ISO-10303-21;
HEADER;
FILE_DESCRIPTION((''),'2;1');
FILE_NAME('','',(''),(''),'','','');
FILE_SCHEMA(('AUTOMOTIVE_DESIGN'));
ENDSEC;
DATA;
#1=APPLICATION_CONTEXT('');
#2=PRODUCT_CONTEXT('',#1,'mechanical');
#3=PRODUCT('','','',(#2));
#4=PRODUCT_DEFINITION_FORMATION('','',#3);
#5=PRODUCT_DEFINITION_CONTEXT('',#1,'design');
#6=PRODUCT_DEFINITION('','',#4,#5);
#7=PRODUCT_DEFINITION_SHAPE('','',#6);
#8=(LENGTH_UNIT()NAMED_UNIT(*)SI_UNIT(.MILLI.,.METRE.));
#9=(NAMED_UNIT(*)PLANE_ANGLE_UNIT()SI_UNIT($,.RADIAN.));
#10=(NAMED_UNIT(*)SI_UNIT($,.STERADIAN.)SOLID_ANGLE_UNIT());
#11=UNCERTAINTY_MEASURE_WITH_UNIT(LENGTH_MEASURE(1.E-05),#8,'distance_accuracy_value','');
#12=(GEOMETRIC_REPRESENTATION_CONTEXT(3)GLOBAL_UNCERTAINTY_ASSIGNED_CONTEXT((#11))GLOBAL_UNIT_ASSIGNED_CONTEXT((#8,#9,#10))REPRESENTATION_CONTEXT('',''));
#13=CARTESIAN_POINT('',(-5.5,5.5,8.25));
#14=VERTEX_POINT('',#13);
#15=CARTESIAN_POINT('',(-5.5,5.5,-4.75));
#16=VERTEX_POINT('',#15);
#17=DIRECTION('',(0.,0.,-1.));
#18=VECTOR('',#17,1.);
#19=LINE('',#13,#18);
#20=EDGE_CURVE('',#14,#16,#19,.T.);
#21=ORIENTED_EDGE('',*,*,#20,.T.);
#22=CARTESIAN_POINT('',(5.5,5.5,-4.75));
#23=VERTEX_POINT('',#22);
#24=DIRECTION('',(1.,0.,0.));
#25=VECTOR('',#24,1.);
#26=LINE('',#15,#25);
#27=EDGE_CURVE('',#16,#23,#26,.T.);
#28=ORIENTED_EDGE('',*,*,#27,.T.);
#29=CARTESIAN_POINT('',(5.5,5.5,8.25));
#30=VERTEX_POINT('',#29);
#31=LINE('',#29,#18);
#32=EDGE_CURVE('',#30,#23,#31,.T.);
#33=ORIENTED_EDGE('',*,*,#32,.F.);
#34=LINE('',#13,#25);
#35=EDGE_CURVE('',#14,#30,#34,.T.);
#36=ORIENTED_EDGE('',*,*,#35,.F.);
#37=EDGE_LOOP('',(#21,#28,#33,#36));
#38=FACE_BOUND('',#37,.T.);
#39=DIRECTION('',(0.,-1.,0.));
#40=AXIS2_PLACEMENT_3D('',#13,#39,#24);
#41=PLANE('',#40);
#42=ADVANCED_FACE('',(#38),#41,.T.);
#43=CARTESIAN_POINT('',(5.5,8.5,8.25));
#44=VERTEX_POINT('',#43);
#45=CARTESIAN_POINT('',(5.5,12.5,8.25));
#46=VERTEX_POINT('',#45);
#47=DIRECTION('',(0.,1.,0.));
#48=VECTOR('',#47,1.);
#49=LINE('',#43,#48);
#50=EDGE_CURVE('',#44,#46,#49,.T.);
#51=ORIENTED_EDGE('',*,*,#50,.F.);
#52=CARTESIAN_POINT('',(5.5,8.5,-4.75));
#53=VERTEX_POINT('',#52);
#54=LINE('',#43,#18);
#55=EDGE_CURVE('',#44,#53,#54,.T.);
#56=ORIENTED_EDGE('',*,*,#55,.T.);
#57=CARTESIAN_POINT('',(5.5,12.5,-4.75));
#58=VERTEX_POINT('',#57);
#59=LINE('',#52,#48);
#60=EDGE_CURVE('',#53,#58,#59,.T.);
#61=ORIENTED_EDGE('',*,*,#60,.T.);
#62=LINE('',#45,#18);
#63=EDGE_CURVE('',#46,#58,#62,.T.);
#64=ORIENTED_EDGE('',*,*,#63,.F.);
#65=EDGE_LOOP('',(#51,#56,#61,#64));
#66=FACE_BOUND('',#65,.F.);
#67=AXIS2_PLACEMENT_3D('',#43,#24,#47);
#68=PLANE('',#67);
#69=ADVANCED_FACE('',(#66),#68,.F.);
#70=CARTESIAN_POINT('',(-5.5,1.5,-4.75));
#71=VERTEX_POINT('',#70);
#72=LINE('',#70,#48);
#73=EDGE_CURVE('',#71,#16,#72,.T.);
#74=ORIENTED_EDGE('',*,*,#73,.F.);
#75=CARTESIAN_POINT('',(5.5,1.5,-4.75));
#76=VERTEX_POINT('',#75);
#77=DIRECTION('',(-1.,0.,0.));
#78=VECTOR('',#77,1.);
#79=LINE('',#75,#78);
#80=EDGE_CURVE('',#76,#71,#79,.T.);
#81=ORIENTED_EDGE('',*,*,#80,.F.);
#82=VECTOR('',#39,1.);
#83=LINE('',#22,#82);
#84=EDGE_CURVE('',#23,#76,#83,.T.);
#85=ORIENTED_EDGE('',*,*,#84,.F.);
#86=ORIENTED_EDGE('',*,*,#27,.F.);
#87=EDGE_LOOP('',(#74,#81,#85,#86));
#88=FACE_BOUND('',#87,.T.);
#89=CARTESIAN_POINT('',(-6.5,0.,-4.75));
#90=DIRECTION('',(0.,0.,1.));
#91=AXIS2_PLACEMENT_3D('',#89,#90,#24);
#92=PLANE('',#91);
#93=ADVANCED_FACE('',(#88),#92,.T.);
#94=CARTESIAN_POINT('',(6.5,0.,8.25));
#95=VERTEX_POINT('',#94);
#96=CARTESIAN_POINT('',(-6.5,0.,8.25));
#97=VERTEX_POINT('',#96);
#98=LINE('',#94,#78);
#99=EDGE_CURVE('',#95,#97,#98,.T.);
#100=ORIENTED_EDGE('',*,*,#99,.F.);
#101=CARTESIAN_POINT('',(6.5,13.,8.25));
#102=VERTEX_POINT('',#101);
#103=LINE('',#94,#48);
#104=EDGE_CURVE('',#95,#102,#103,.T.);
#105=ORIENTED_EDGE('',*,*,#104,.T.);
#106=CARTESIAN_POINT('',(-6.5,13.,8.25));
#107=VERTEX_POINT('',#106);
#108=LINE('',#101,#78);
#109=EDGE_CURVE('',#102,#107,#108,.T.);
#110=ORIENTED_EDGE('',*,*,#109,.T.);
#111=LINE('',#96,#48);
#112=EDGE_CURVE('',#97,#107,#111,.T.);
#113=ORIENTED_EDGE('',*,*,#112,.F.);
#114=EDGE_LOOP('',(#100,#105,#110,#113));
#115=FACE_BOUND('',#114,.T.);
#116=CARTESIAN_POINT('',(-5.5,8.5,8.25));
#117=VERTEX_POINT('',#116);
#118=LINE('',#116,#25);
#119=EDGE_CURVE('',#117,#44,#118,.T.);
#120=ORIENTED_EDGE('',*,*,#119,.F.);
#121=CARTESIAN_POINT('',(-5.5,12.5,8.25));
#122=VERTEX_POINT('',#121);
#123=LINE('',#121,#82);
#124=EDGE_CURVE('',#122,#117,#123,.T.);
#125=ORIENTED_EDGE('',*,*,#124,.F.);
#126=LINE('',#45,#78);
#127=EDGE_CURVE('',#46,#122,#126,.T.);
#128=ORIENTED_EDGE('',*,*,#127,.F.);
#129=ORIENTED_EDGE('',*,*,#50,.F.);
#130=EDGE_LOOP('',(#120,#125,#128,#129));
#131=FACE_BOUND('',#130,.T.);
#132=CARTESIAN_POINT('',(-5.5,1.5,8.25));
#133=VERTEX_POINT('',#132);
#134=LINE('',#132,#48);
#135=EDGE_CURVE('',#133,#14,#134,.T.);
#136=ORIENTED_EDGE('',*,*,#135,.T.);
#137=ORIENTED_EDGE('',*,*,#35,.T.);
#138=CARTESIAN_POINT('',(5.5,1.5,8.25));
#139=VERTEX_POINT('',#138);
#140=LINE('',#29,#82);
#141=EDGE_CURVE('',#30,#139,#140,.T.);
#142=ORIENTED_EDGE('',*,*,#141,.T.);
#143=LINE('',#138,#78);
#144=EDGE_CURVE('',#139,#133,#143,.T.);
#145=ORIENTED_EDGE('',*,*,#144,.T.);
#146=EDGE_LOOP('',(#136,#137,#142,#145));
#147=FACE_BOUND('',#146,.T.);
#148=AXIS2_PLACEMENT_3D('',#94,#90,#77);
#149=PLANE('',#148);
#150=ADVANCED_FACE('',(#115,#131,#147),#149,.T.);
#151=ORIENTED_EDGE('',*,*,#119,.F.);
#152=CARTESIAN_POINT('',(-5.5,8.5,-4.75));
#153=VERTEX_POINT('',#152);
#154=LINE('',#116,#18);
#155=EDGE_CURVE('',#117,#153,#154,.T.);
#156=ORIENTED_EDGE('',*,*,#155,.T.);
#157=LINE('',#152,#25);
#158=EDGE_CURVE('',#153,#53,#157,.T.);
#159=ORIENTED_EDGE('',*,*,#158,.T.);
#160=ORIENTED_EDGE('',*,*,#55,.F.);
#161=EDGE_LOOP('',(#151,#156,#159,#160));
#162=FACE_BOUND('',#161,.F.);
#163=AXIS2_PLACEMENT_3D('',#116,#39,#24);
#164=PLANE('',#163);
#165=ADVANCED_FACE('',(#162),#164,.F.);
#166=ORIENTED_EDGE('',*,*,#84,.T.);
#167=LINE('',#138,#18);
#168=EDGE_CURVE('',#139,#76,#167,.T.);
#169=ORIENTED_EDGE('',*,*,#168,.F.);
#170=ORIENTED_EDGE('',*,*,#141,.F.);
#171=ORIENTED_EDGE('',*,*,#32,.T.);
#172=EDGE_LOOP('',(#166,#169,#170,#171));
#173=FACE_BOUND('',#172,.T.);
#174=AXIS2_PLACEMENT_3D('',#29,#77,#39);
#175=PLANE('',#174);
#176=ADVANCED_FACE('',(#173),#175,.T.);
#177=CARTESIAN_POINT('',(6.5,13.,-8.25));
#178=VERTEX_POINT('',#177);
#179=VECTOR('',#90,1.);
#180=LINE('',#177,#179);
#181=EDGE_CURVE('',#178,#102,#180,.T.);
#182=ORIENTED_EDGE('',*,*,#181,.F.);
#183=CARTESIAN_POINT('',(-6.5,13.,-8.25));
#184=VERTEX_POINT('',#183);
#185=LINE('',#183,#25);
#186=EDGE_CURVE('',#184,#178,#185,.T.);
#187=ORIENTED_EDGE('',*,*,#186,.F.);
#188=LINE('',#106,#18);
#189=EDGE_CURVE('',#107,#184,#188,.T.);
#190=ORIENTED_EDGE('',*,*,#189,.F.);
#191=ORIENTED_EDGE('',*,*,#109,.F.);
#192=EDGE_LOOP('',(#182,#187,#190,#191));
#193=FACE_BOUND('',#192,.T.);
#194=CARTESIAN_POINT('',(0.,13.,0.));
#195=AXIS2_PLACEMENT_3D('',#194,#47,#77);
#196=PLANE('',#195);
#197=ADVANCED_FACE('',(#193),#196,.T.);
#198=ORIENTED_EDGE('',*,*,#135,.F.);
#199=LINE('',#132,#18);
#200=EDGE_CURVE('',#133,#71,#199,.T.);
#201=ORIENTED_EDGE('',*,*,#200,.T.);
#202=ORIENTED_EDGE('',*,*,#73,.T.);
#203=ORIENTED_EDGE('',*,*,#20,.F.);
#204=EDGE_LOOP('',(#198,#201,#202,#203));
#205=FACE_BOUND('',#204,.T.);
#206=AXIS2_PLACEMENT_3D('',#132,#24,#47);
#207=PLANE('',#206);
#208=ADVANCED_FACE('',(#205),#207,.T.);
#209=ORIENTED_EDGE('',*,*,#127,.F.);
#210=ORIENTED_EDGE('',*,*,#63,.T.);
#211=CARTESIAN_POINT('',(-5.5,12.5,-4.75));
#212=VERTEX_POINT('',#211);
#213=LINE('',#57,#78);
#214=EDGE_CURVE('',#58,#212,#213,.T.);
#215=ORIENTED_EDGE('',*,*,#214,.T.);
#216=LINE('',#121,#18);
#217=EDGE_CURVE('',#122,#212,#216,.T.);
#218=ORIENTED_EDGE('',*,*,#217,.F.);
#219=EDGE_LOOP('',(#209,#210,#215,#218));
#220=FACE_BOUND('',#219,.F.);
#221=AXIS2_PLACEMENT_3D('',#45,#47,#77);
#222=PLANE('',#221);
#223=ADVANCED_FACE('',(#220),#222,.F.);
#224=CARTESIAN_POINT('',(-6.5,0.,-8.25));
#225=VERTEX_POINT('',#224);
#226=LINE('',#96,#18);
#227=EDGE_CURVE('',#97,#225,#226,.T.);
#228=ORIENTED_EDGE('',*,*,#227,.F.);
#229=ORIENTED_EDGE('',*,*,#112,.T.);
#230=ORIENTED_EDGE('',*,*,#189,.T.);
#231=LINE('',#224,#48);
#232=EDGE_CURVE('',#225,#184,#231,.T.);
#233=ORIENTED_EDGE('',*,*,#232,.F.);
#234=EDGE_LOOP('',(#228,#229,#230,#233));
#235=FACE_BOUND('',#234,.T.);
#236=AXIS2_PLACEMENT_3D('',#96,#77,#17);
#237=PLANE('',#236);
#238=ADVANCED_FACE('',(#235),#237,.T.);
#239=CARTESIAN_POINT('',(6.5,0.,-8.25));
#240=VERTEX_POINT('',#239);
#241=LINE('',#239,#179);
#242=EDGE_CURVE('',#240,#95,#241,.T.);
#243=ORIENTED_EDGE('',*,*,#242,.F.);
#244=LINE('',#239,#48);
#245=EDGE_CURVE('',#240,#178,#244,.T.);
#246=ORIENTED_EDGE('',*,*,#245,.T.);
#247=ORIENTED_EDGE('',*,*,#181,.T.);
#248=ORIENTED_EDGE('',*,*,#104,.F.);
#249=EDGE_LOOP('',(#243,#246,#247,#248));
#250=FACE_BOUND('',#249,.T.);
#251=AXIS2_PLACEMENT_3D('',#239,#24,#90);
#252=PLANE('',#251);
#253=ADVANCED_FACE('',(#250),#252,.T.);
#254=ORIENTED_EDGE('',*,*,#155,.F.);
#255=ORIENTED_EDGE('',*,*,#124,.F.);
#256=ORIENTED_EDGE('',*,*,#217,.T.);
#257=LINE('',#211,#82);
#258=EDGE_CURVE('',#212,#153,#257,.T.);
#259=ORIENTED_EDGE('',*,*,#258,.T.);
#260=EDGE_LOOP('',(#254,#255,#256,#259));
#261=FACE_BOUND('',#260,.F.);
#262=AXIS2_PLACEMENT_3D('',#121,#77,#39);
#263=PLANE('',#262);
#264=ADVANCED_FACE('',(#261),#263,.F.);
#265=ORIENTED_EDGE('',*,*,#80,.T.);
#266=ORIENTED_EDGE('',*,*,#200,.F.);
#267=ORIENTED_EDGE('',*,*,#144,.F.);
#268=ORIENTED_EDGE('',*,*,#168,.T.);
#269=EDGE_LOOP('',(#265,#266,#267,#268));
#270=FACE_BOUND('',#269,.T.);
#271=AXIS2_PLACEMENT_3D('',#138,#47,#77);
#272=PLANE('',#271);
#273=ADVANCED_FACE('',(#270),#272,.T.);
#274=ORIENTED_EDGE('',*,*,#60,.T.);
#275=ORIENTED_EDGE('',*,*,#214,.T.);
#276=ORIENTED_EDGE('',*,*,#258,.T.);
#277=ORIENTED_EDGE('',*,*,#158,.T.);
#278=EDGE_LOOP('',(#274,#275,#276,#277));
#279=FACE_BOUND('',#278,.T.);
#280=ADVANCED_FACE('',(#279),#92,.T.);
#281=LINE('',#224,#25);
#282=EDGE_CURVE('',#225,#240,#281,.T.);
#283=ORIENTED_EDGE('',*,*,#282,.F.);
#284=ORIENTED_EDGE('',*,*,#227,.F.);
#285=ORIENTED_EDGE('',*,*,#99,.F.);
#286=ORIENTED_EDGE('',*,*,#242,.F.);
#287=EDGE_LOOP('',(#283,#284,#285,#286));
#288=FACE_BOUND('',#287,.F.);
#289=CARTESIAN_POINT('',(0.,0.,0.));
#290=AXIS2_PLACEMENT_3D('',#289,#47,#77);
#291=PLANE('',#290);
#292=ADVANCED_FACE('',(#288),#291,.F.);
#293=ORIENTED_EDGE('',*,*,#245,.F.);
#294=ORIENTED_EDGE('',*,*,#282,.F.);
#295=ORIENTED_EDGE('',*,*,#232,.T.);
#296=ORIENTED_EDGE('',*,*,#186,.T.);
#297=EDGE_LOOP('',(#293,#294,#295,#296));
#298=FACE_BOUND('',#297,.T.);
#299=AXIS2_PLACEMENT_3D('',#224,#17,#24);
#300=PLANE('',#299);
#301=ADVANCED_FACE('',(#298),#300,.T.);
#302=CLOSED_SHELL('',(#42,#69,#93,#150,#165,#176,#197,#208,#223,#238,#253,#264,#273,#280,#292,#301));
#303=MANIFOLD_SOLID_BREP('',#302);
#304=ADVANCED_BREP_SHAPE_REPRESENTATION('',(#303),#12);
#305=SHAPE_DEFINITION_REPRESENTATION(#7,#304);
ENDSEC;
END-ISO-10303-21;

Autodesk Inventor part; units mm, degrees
ref_plane "YZ Plane" through (0, 0, 0) normal (1, 0, 0) x (0, 1, 0)
ref_plane "XZ Plane" through (0, 0, 0) normal (0, 1, 0) x (-1, 0, 0)
ref_plane "XY Plane" through (0, 0, 0) normal (0, 0, 1) x (1, 0, 0)
sketch "Sketch1" plane through (0, 0, 0) normal (0, 1, 0) x (-1, 0, 0)
  line L0 (-6.5, 8.25) -> (6.5, 8.25)
  line L1 (6.5, 8.25) -> (6.5, -8.25)
  line L2 (6.5, -8.25) -> (-6.5, -8.25)
  line L3 (-6.5, -8.25) -> (-6.5, 8.25)
  line L4 (-6.5, 8.25) -> (6.5, -8.25) construction
  line L5 (6.5, 8.25) -> (-6.5, -8.25) construction
  point P0 (0, 0)
  dimension "d0" = 13
  dimension "d1" = 16.5
extrude "Extrusion1" add sketch "Sketch1" along normal blind 13
sketch "Sketch2" plane through (-6.5, 0, 8.25) normal (0, 0, 1) x (1, 0, 0)
  line L0 (1, 8.5) -> (12, 8.5)
  line L1 (12, 8.5) -> (12, 12.5)
  line L2 (12, 12.5) -> (1, 12.5)
  line L3 (1, 12.5) -> (1, 8.5)
  line L4 (0, 13) -> (13, 13) projected
  line L5 (0, 0) -> (0, 13) projected
  line L6 (1, 5.5) -> (12, 5.5)
  line L7 (12, 5.5) -> (12, 1.5)
  line L8 (12, 1.5) -> (1, 1.5)
  line L9 (1, 1.5) -> (1, 5.5)
  point P0 (6.5, 0)
  dimension "d4" = 11
  dimension "d5" = 4
  dimension "d6" = 0.5
  dimension "d7" = 1
  dimension "d8" = 11
  dimension "d9" = 4
  dimension "d10" = 3
  dimension "d11" = 1
extrude "Extrusion2" cut sketch "Sketch2" against normal blind 13
properties part number "USB"
